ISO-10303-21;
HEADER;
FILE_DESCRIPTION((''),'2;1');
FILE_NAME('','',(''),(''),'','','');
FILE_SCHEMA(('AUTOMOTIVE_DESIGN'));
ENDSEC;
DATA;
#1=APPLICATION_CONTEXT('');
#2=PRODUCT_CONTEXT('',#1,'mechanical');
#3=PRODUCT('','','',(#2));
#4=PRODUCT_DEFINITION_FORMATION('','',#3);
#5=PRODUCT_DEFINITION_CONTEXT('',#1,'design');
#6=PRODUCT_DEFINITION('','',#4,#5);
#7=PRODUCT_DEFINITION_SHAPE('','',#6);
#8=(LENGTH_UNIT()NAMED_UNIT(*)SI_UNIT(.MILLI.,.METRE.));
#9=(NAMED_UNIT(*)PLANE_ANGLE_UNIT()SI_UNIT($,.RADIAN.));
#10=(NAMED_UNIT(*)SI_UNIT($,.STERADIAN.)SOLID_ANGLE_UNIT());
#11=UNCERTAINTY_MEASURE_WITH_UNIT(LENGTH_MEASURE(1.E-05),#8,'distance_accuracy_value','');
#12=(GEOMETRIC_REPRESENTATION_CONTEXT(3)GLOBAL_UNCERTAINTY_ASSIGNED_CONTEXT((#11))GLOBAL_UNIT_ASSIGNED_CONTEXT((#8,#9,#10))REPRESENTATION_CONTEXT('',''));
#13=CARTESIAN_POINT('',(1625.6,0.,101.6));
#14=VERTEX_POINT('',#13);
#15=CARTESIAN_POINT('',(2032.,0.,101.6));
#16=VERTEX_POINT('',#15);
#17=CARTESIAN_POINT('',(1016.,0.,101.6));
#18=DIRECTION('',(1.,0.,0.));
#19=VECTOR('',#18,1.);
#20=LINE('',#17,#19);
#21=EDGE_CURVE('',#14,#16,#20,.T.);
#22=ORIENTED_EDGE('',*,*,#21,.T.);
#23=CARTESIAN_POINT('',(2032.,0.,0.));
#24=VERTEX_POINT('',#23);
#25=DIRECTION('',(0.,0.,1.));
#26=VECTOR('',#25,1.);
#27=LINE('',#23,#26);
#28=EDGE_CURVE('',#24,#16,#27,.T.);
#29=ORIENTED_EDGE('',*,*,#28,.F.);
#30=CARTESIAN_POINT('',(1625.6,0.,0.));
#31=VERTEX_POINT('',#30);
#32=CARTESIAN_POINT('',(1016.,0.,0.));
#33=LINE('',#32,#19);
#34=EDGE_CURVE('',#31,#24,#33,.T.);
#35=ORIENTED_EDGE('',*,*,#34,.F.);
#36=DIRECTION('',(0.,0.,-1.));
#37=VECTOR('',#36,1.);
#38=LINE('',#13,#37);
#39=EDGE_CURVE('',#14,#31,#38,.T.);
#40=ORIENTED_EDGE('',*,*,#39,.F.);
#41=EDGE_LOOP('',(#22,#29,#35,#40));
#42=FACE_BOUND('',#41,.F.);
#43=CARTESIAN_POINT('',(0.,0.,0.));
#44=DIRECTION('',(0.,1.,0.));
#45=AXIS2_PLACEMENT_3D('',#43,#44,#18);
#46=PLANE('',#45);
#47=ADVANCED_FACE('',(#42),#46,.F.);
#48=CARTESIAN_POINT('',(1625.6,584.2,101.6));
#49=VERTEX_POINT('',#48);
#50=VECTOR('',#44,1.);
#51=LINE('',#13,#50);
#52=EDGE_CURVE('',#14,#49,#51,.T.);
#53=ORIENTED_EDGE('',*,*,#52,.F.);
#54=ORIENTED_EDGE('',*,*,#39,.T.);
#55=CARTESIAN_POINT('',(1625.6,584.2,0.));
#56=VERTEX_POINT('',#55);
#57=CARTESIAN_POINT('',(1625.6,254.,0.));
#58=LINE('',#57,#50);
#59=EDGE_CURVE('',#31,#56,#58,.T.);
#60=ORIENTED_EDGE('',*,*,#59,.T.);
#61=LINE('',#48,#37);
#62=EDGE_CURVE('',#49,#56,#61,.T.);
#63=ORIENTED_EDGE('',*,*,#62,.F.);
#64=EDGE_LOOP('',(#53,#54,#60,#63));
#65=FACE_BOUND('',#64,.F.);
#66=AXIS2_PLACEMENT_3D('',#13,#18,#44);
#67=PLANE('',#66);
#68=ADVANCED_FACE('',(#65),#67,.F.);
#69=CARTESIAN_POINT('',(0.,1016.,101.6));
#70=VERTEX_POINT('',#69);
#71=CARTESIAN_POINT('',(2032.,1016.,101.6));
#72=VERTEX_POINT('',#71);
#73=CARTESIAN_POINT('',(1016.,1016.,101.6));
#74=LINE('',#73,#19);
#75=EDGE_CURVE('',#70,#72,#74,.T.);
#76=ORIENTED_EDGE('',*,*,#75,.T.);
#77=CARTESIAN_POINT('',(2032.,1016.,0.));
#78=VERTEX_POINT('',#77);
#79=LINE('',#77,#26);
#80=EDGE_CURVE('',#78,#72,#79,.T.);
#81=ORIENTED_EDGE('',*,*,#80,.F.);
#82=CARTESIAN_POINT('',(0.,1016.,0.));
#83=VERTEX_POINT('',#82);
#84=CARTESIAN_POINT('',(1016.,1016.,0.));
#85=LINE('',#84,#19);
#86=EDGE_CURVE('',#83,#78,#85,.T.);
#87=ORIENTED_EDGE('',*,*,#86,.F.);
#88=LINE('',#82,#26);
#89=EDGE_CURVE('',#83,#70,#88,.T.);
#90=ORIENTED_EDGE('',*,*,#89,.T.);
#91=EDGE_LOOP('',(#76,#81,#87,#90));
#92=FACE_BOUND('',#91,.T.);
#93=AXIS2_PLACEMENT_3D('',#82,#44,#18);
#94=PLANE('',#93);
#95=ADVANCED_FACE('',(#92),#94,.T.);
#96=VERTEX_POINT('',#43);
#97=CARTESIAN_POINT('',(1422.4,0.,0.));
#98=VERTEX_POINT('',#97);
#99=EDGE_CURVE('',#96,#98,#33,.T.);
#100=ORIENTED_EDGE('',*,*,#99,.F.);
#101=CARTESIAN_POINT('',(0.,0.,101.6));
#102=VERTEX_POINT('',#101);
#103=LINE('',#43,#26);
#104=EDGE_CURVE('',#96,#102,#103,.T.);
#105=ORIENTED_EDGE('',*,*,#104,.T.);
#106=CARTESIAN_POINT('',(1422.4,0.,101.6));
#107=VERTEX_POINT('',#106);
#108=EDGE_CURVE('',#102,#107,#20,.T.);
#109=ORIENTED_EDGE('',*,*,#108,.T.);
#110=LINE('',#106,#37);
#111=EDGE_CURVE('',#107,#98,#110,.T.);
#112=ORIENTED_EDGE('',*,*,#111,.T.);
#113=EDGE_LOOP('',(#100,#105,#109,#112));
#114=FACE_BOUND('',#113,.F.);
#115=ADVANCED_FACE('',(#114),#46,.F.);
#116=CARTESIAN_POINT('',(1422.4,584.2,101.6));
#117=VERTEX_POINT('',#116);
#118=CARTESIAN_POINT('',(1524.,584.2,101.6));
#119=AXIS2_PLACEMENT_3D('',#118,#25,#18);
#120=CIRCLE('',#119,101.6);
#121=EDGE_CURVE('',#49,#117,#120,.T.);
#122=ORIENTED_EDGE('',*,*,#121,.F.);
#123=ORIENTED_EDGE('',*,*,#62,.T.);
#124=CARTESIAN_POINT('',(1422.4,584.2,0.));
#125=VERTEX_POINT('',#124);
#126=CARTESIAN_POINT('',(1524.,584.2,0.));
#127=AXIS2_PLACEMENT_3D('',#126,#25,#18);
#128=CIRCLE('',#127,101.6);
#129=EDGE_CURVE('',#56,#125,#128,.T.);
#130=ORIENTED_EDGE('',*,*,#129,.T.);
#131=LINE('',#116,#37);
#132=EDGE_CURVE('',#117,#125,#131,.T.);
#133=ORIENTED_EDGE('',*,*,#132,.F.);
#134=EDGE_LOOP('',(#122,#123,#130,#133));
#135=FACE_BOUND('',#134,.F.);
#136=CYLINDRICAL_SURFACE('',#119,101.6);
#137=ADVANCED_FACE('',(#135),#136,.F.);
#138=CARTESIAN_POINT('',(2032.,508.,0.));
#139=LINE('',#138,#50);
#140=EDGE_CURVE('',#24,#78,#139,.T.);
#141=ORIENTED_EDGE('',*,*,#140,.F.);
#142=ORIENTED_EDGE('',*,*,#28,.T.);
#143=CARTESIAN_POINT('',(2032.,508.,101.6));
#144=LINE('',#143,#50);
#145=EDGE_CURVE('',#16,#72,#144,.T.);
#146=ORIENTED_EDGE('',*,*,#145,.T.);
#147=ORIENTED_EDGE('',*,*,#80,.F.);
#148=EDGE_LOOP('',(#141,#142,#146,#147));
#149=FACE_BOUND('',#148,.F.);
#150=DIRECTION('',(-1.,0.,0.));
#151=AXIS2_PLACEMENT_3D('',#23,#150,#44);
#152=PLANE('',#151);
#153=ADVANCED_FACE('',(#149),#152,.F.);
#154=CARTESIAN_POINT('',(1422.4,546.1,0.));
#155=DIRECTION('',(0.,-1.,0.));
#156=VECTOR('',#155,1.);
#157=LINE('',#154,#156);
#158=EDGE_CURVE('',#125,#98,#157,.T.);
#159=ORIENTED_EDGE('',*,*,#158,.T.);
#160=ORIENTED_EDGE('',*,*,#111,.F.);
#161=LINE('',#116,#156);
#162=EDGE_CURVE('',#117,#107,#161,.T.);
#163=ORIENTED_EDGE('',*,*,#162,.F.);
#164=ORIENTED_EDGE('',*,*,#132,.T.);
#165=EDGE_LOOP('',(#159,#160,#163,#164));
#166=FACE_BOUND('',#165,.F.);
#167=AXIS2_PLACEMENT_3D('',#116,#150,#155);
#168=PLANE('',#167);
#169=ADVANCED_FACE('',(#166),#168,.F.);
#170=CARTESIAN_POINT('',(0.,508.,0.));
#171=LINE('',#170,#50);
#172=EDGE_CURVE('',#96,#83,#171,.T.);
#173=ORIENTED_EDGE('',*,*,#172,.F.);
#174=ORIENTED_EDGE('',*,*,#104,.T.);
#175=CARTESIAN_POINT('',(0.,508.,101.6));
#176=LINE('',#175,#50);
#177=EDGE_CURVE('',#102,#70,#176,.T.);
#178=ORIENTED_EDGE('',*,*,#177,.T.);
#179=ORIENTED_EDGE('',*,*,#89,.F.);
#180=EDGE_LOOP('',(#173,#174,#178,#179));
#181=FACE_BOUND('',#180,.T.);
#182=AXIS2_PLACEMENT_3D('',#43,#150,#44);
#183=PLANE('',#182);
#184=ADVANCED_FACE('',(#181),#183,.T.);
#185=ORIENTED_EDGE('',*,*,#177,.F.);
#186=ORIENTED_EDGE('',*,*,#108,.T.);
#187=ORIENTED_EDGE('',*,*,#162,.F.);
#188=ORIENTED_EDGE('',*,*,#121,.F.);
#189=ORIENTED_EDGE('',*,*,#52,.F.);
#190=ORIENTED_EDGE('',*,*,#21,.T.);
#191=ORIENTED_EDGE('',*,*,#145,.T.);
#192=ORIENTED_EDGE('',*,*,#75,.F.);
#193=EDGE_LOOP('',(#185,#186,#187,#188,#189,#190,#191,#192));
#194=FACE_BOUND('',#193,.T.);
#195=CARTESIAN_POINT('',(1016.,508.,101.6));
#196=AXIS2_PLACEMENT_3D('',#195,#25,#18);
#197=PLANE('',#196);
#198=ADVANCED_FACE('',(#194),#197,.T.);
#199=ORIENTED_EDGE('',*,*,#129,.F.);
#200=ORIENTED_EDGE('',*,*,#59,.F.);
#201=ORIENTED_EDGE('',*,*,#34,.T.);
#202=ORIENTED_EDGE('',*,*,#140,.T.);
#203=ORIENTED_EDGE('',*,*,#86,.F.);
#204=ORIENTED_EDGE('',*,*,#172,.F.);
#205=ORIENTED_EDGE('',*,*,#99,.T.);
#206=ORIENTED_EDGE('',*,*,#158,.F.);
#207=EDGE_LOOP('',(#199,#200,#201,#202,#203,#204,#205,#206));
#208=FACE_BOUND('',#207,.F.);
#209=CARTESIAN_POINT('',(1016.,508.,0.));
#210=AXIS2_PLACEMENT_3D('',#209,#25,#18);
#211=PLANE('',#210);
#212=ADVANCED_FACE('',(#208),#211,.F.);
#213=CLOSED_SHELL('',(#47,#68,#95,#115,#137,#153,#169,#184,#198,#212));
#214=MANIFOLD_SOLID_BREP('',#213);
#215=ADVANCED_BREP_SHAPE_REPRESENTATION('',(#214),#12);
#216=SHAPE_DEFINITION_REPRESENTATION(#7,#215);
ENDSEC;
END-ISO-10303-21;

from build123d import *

# Parameters (mm, degrees)
F0_W     = 2032
F0_H     = 1016
F1_DEPTH = 101.6
F3_DEPTH = 101.601


with BuildPart() as f1:
    # F0 (on Top) → F1 (new body)
    with BuildSketch(Plane.XY):
        with Locations((1016, 508)):
            Rectangle(F0_W, F0_H)
    extrude(amount=F1_DEPTH)

    # F2 (on face) → F3 (cut, through all)
    with BuildSketch(Plane.XY.offset(101.6)):
        with BuildLine():
            Line((1422.4, 584.2), (1422.4, 0))
            Line((1422.4, 0), (1625.6, 0))
            Line((1625.6, 0), (1625.6, 584.2))
            ThreePointArc((1625.6, 584.2), (1524, 685.8), (1422.4, 584.2))
        make_face()
    extrude(amount=-F3_DEPTH, mode=Mode.SUBTRACT)


solid = f1.part
